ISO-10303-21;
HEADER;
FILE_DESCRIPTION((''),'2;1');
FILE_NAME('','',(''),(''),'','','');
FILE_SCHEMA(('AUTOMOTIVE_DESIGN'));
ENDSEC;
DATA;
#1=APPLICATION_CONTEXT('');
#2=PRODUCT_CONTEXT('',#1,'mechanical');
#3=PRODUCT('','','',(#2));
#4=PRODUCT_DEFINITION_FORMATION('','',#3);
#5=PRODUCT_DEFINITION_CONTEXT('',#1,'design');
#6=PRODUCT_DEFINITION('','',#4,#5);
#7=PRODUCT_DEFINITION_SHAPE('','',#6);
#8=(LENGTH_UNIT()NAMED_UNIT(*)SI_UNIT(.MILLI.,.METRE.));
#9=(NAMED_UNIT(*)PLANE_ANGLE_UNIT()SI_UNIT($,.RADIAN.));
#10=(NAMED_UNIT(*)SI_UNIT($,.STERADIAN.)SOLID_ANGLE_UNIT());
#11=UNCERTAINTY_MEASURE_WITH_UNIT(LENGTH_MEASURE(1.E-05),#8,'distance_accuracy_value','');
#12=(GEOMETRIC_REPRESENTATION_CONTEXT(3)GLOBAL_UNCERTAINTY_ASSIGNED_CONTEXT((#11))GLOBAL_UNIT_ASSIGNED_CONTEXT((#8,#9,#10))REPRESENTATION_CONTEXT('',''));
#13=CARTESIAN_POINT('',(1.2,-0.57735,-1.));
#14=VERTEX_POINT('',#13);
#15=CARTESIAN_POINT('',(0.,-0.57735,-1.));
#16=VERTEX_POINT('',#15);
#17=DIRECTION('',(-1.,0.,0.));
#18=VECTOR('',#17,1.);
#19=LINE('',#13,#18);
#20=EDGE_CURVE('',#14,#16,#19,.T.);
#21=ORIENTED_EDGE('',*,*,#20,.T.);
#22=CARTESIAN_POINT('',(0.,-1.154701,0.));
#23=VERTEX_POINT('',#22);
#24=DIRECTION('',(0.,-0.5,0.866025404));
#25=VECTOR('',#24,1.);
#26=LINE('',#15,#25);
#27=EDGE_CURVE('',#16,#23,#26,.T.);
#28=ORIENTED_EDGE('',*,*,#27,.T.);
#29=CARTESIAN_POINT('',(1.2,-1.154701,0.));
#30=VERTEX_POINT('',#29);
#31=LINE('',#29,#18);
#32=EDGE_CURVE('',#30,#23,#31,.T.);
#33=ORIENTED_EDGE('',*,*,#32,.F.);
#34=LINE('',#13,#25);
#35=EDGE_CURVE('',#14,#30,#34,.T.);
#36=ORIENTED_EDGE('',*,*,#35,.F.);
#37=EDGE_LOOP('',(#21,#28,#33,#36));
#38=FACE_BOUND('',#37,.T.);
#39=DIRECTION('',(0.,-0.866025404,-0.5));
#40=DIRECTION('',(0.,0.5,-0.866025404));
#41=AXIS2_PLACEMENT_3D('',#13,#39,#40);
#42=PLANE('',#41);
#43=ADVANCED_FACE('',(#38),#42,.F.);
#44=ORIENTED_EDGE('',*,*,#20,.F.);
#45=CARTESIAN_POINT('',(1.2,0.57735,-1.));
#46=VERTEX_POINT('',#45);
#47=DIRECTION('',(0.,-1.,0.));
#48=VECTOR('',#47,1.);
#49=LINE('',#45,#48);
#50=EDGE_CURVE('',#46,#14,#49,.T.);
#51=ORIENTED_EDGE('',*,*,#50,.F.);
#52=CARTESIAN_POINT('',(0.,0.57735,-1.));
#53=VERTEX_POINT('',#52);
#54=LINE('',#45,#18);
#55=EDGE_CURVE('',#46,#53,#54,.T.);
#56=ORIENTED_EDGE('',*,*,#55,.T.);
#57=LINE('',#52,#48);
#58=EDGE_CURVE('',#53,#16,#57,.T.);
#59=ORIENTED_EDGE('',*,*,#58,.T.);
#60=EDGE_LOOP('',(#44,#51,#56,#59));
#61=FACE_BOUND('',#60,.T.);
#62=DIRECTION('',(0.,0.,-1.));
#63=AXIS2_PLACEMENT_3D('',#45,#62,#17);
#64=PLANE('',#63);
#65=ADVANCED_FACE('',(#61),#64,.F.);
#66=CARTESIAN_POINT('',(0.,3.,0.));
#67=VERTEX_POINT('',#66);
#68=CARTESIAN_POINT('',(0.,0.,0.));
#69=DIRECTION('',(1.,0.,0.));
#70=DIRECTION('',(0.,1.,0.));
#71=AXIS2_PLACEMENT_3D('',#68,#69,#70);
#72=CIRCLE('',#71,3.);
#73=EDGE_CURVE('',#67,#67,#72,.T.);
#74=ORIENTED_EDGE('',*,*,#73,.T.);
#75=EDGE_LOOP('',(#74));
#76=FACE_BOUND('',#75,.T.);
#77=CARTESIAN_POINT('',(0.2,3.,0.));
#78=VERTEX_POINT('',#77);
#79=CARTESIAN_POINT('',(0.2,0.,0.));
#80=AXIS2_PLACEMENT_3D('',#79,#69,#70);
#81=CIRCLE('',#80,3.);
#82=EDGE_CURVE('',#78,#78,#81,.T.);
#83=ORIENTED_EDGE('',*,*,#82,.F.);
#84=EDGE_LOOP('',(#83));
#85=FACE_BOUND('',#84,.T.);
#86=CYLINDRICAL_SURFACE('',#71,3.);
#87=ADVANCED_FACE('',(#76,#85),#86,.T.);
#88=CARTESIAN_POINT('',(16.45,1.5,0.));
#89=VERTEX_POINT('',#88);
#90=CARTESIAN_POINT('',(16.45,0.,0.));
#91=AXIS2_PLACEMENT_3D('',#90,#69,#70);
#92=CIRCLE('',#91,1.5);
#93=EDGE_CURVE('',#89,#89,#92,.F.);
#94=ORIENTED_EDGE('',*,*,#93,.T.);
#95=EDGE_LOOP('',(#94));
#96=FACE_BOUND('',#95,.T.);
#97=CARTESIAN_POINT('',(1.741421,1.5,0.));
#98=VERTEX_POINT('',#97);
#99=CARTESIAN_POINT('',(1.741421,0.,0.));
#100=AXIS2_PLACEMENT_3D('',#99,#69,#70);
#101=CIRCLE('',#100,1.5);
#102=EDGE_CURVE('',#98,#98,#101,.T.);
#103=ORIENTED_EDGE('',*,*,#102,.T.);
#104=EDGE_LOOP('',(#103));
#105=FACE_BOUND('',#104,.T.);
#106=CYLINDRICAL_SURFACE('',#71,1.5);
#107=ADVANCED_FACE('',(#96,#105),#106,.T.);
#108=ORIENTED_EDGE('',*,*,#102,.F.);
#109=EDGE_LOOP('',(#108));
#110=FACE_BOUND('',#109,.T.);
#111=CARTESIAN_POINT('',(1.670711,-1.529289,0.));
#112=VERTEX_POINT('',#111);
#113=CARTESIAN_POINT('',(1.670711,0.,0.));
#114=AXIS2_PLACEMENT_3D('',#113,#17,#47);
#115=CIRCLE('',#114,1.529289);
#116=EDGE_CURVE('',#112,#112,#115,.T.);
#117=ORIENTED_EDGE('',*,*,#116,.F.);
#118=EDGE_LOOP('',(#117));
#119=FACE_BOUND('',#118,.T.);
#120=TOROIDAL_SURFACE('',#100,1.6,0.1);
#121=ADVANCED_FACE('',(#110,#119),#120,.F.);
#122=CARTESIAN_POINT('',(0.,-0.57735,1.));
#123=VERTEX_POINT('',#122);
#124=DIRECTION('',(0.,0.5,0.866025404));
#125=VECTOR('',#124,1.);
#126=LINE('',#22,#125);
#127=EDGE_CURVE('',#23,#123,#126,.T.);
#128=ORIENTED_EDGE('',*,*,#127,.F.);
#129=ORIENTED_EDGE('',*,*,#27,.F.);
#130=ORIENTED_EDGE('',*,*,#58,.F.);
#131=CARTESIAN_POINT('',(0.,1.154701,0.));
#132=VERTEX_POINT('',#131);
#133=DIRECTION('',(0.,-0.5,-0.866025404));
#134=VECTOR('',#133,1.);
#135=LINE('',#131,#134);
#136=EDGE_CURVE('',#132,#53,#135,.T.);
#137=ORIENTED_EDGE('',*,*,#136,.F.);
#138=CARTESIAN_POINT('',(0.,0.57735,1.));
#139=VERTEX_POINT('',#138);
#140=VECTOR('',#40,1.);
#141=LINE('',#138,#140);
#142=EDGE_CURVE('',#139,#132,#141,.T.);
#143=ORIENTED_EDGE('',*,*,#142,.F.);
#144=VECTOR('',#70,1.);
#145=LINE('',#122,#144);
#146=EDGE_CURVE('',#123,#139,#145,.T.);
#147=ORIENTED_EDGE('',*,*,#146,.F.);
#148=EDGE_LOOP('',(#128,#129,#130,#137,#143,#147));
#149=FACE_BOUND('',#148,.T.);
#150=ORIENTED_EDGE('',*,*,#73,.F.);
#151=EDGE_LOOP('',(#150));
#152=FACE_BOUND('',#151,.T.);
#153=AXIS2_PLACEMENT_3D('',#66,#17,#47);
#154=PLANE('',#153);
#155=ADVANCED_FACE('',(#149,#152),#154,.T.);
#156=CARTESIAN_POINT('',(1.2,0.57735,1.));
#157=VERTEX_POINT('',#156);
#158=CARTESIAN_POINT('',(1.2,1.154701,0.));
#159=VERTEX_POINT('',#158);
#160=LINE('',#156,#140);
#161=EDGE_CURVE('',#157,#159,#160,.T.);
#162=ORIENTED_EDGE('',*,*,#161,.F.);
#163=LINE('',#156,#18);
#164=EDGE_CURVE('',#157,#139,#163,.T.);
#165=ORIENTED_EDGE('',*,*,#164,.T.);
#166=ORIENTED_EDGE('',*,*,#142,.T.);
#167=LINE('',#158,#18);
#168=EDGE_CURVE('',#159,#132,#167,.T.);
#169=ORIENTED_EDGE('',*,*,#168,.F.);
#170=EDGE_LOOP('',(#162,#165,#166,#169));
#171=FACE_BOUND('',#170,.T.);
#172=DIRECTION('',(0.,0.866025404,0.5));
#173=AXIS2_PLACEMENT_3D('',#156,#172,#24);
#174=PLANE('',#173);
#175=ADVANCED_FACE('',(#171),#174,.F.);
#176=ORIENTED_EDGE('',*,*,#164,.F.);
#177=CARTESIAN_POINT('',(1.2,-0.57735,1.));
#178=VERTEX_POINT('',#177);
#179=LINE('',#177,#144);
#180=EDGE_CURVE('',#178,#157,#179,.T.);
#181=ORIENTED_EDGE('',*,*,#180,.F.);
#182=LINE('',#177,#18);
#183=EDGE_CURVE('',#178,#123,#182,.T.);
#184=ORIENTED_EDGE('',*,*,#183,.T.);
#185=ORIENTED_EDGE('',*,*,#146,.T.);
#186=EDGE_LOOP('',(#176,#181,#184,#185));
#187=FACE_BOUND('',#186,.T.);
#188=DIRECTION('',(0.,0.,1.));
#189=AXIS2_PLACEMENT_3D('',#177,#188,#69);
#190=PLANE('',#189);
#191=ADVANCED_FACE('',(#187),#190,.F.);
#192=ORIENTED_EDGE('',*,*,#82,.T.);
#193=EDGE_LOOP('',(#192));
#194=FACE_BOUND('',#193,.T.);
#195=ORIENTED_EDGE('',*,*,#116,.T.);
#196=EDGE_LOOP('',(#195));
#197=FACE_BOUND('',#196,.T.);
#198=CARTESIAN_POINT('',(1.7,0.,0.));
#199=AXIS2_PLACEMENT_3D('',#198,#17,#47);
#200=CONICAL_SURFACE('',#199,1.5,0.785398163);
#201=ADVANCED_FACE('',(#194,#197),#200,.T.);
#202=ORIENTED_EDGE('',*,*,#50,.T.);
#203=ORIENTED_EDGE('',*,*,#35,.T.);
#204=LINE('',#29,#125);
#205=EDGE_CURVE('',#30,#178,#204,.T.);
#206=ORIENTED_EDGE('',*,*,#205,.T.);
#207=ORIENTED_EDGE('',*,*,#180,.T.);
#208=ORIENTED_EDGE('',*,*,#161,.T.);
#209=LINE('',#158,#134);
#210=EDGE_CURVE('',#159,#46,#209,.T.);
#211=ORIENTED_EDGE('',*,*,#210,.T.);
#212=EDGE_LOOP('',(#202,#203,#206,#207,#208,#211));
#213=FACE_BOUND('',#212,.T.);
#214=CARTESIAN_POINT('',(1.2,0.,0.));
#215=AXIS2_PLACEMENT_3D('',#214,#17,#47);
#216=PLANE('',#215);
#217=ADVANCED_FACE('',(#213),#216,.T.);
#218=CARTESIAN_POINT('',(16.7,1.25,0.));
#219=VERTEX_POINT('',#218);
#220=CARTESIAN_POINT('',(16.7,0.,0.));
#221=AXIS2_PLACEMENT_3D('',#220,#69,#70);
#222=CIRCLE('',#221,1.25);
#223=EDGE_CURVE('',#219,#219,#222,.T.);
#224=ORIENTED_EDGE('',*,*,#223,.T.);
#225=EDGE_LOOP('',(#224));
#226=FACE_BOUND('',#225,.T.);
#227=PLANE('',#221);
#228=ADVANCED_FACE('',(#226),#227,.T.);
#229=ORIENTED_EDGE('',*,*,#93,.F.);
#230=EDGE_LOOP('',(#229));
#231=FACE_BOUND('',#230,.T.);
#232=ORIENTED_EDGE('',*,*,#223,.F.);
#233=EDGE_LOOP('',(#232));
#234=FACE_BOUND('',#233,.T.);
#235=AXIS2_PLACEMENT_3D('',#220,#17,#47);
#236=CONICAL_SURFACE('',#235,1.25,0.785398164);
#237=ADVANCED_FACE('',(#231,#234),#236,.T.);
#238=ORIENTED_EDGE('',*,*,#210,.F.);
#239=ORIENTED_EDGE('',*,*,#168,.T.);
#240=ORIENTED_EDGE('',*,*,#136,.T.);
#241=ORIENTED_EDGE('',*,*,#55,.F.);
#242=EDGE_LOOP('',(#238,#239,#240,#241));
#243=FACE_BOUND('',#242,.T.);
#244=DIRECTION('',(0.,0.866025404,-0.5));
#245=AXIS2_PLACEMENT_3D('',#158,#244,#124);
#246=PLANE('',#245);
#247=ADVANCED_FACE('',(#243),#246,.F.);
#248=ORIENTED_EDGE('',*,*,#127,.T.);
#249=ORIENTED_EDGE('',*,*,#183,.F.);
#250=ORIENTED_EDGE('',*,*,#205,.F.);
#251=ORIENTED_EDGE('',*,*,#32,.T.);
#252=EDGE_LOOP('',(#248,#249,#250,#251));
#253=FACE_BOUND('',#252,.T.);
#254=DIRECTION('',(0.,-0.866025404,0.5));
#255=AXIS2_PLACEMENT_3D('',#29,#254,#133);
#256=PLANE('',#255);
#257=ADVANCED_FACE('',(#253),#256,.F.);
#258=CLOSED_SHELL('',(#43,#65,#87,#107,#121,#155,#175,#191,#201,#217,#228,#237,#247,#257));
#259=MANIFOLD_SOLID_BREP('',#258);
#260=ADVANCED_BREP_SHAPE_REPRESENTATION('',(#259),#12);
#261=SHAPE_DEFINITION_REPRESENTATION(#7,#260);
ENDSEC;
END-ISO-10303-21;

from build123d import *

# Parameters (mm, degrees)
CUT_EXTRUDE_1_DEPTH = 1.2
CHAMFER_1_SIZE      = 0.25
FILLET_1_R          = 0.1


with BuildPart() as part:
    # 草圖1 → 旋轉1 (revolve)
    with BuildSketch(Plane.XY):
        Polygon((0, 3), (0, 0), (16.7, 0), (16.7, 1.5), (1.7, 1.5), (0.2, 3), align=None)
    revolve(axis=Axis((0, 0, 0), (1, 0, 0)))

    # 草圖2 → 除料-伸長1 (cut)
    with BuildSketch(Plane.ZY):
        Polygon((-1, -0.577350269), (0, -1.154700538), (1, -0.577350269), (1, 0.577350269), (0, 1.154700538), (-1, 0.577350269), align=None)
    extrude(amount=-CUT_EXTRUDE_1_DEPTH, mode=Mode.SUBTRACT)

    # 導角1
    chamfer_1_edges = [part.edges().sort_by_distance(p)[0] for p in [
        (16.7, -1.5, 0),
    ]]
    chamfer(chamfer_1_edges, length=CHAMFER_1_SIZE)

    # 圓角1
    fillet_1_edges = [part.edges().sort_by_distance(p)[0] for p in [
        (1.7, -1.5, 0),
    ]]
    fillet(fillet_1_edges, radius=FILLET_1_R)


solid = part.part
